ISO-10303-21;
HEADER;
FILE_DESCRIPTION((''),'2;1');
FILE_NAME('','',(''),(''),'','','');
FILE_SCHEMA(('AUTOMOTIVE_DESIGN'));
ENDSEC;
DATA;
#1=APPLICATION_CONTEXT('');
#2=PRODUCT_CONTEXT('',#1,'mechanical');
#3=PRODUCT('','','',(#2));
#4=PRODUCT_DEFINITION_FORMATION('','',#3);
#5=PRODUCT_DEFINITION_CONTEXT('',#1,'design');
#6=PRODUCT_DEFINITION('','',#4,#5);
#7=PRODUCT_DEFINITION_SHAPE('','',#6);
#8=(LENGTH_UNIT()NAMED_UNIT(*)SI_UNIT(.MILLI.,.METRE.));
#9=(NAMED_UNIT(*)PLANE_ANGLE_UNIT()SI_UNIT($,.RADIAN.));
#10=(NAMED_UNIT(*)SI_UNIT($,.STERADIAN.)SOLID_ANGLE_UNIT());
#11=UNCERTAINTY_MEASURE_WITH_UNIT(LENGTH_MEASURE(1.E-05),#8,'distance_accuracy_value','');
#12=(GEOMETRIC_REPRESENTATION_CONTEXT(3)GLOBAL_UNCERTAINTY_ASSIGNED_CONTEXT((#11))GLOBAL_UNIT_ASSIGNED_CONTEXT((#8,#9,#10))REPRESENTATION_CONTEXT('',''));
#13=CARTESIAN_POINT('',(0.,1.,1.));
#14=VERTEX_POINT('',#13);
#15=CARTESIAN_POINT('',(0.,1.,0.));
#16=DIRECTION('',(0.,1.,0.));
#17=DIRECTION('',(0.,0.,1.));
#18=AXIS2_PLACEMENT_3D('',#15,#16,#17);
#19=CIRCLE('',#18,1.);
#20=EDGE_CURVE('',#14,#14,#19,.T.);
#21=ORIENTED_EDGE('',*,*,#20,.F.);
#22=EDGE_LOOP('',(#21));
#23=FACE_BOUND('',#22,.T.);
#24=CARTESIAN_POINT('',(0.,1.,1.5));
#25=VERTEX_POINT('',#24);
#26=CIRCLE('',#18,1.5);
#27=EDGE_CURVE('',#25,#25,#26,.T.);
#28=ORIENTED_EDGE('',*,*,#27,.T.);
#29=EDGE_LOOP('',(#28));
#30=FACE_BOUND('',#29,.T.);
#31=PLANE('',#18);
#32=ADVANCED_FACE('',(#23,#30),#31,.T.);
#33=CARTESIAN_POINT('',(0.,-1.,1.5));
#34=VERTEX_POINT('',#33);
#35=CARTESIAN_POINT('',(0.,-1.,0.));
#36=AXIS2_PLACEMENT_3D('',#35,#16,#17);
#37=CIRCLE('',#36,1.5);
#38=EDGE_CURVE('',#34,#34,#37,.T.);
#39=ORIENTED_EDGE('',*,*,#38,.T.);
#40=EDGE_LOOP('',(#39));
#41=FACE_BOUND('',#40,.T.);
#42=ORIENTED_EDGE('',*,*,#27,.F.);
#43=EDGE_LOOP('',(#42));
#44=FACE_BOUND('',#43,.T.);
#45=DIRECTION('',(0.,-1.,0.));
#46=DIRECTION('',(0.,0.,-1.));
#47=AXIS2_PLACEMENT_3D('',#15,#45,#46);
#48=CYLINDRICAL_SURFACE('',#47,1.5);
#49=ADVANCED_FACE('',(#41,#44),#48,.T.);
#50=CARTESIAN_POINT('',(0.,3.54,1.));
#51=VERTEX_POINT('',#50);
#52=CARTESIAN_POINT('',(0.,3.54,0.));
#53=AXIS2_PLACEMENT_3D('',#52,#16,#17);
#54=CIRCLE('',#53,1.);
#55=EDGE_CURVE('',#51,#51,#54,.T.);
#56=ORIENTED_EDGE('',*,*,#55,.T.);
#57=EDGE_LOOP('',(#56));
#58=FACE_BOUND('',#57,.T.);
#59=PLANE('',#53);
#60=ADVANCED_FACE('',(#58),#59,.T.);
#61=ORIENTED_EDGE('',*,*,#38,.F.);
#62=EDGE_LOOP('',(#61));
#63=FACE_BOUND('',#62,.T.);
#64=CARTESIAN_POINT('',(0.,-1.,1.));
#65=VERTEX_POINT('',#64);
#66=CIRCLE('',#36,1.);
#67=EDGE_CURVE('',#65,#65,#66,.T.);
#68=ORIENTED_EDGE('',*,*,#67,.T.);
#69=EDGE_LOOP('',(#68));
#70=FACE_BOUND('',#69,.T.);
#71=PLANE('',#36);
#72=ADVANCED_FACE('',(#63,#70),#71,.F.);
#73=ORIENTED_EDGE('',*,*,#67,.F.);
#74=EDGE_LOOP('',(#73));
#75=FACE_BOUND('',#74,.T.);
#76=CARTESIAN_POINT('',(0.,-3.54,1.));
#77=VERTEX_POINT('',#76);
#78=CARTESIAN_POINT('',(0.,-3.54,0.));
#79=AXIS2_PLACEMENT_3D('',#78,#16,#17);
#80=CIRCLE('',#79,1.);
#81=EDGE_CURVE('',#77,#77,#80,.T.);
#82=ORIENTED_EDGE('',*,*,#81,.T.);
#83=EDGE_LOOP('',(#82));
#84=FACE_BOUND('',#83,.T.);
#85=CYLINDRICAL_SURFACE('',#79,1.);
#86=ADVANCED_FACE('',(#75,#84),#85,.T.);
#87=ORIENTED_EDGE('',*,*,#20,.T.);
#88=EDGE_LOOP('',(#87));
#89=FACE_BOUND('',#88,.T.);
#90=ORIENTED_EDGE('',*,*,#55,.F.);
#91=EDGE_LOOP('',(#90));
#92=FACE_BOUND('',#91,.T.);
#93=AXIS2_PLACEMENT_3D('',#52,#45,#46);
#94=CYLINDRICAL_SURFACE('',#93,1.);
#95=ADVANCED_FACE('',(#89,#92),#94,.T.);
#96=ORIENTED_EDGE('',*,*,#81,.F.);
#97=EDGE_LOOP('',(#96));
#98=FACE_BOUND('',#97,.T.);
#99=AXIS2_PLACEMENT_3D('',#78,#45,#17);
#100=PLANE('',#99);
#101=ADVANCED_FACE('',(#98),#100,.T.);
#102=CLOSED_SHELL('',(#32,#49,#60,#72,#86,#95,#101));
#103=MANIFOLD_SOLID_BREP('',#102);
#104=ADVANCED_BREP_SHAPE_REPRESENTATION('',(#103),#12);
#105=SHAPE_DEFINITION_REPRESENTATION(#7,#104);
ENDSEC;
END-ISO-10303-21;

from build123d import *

# Parameters (mm, degrees)
SKETCH1_R           = 1.5
BOSS_EXTRUDE1_DEPTH = 1
SKETCH2_R           = 1
BOSS_EXTRUDE2_DEPTH = 2.54


with BuildPart() as part:
    # Sketch1 → Boss-Extrude1 (new body, symmetric)
    with BuildSketch(Plane(origin=(0, 0, 0), x_dir=(1, 0, 0), z_dir=(0, 1, 0))):
        Circle(SKETCH1_R)
    extrude(amount=BOSS_EXTRUDE1_DEPTH, both=True)

    # Sketch2 → Boss-Extrude2 (add)
    with BuildSketch(Plane(origin=(0, 1, 0), x_dir=(1, 0, 0), z_dir=(0, 1, 0))):
        Circle(SKETCH2_R)
    boss_extrude2 = extrude(amount=BOSS_EXTRUDE2_DEPTH)

    # Mirror1: Boss-Extrude2 across plane
    add(boss_extrude2.mirror(Plane.ZX))


solid = part.part
